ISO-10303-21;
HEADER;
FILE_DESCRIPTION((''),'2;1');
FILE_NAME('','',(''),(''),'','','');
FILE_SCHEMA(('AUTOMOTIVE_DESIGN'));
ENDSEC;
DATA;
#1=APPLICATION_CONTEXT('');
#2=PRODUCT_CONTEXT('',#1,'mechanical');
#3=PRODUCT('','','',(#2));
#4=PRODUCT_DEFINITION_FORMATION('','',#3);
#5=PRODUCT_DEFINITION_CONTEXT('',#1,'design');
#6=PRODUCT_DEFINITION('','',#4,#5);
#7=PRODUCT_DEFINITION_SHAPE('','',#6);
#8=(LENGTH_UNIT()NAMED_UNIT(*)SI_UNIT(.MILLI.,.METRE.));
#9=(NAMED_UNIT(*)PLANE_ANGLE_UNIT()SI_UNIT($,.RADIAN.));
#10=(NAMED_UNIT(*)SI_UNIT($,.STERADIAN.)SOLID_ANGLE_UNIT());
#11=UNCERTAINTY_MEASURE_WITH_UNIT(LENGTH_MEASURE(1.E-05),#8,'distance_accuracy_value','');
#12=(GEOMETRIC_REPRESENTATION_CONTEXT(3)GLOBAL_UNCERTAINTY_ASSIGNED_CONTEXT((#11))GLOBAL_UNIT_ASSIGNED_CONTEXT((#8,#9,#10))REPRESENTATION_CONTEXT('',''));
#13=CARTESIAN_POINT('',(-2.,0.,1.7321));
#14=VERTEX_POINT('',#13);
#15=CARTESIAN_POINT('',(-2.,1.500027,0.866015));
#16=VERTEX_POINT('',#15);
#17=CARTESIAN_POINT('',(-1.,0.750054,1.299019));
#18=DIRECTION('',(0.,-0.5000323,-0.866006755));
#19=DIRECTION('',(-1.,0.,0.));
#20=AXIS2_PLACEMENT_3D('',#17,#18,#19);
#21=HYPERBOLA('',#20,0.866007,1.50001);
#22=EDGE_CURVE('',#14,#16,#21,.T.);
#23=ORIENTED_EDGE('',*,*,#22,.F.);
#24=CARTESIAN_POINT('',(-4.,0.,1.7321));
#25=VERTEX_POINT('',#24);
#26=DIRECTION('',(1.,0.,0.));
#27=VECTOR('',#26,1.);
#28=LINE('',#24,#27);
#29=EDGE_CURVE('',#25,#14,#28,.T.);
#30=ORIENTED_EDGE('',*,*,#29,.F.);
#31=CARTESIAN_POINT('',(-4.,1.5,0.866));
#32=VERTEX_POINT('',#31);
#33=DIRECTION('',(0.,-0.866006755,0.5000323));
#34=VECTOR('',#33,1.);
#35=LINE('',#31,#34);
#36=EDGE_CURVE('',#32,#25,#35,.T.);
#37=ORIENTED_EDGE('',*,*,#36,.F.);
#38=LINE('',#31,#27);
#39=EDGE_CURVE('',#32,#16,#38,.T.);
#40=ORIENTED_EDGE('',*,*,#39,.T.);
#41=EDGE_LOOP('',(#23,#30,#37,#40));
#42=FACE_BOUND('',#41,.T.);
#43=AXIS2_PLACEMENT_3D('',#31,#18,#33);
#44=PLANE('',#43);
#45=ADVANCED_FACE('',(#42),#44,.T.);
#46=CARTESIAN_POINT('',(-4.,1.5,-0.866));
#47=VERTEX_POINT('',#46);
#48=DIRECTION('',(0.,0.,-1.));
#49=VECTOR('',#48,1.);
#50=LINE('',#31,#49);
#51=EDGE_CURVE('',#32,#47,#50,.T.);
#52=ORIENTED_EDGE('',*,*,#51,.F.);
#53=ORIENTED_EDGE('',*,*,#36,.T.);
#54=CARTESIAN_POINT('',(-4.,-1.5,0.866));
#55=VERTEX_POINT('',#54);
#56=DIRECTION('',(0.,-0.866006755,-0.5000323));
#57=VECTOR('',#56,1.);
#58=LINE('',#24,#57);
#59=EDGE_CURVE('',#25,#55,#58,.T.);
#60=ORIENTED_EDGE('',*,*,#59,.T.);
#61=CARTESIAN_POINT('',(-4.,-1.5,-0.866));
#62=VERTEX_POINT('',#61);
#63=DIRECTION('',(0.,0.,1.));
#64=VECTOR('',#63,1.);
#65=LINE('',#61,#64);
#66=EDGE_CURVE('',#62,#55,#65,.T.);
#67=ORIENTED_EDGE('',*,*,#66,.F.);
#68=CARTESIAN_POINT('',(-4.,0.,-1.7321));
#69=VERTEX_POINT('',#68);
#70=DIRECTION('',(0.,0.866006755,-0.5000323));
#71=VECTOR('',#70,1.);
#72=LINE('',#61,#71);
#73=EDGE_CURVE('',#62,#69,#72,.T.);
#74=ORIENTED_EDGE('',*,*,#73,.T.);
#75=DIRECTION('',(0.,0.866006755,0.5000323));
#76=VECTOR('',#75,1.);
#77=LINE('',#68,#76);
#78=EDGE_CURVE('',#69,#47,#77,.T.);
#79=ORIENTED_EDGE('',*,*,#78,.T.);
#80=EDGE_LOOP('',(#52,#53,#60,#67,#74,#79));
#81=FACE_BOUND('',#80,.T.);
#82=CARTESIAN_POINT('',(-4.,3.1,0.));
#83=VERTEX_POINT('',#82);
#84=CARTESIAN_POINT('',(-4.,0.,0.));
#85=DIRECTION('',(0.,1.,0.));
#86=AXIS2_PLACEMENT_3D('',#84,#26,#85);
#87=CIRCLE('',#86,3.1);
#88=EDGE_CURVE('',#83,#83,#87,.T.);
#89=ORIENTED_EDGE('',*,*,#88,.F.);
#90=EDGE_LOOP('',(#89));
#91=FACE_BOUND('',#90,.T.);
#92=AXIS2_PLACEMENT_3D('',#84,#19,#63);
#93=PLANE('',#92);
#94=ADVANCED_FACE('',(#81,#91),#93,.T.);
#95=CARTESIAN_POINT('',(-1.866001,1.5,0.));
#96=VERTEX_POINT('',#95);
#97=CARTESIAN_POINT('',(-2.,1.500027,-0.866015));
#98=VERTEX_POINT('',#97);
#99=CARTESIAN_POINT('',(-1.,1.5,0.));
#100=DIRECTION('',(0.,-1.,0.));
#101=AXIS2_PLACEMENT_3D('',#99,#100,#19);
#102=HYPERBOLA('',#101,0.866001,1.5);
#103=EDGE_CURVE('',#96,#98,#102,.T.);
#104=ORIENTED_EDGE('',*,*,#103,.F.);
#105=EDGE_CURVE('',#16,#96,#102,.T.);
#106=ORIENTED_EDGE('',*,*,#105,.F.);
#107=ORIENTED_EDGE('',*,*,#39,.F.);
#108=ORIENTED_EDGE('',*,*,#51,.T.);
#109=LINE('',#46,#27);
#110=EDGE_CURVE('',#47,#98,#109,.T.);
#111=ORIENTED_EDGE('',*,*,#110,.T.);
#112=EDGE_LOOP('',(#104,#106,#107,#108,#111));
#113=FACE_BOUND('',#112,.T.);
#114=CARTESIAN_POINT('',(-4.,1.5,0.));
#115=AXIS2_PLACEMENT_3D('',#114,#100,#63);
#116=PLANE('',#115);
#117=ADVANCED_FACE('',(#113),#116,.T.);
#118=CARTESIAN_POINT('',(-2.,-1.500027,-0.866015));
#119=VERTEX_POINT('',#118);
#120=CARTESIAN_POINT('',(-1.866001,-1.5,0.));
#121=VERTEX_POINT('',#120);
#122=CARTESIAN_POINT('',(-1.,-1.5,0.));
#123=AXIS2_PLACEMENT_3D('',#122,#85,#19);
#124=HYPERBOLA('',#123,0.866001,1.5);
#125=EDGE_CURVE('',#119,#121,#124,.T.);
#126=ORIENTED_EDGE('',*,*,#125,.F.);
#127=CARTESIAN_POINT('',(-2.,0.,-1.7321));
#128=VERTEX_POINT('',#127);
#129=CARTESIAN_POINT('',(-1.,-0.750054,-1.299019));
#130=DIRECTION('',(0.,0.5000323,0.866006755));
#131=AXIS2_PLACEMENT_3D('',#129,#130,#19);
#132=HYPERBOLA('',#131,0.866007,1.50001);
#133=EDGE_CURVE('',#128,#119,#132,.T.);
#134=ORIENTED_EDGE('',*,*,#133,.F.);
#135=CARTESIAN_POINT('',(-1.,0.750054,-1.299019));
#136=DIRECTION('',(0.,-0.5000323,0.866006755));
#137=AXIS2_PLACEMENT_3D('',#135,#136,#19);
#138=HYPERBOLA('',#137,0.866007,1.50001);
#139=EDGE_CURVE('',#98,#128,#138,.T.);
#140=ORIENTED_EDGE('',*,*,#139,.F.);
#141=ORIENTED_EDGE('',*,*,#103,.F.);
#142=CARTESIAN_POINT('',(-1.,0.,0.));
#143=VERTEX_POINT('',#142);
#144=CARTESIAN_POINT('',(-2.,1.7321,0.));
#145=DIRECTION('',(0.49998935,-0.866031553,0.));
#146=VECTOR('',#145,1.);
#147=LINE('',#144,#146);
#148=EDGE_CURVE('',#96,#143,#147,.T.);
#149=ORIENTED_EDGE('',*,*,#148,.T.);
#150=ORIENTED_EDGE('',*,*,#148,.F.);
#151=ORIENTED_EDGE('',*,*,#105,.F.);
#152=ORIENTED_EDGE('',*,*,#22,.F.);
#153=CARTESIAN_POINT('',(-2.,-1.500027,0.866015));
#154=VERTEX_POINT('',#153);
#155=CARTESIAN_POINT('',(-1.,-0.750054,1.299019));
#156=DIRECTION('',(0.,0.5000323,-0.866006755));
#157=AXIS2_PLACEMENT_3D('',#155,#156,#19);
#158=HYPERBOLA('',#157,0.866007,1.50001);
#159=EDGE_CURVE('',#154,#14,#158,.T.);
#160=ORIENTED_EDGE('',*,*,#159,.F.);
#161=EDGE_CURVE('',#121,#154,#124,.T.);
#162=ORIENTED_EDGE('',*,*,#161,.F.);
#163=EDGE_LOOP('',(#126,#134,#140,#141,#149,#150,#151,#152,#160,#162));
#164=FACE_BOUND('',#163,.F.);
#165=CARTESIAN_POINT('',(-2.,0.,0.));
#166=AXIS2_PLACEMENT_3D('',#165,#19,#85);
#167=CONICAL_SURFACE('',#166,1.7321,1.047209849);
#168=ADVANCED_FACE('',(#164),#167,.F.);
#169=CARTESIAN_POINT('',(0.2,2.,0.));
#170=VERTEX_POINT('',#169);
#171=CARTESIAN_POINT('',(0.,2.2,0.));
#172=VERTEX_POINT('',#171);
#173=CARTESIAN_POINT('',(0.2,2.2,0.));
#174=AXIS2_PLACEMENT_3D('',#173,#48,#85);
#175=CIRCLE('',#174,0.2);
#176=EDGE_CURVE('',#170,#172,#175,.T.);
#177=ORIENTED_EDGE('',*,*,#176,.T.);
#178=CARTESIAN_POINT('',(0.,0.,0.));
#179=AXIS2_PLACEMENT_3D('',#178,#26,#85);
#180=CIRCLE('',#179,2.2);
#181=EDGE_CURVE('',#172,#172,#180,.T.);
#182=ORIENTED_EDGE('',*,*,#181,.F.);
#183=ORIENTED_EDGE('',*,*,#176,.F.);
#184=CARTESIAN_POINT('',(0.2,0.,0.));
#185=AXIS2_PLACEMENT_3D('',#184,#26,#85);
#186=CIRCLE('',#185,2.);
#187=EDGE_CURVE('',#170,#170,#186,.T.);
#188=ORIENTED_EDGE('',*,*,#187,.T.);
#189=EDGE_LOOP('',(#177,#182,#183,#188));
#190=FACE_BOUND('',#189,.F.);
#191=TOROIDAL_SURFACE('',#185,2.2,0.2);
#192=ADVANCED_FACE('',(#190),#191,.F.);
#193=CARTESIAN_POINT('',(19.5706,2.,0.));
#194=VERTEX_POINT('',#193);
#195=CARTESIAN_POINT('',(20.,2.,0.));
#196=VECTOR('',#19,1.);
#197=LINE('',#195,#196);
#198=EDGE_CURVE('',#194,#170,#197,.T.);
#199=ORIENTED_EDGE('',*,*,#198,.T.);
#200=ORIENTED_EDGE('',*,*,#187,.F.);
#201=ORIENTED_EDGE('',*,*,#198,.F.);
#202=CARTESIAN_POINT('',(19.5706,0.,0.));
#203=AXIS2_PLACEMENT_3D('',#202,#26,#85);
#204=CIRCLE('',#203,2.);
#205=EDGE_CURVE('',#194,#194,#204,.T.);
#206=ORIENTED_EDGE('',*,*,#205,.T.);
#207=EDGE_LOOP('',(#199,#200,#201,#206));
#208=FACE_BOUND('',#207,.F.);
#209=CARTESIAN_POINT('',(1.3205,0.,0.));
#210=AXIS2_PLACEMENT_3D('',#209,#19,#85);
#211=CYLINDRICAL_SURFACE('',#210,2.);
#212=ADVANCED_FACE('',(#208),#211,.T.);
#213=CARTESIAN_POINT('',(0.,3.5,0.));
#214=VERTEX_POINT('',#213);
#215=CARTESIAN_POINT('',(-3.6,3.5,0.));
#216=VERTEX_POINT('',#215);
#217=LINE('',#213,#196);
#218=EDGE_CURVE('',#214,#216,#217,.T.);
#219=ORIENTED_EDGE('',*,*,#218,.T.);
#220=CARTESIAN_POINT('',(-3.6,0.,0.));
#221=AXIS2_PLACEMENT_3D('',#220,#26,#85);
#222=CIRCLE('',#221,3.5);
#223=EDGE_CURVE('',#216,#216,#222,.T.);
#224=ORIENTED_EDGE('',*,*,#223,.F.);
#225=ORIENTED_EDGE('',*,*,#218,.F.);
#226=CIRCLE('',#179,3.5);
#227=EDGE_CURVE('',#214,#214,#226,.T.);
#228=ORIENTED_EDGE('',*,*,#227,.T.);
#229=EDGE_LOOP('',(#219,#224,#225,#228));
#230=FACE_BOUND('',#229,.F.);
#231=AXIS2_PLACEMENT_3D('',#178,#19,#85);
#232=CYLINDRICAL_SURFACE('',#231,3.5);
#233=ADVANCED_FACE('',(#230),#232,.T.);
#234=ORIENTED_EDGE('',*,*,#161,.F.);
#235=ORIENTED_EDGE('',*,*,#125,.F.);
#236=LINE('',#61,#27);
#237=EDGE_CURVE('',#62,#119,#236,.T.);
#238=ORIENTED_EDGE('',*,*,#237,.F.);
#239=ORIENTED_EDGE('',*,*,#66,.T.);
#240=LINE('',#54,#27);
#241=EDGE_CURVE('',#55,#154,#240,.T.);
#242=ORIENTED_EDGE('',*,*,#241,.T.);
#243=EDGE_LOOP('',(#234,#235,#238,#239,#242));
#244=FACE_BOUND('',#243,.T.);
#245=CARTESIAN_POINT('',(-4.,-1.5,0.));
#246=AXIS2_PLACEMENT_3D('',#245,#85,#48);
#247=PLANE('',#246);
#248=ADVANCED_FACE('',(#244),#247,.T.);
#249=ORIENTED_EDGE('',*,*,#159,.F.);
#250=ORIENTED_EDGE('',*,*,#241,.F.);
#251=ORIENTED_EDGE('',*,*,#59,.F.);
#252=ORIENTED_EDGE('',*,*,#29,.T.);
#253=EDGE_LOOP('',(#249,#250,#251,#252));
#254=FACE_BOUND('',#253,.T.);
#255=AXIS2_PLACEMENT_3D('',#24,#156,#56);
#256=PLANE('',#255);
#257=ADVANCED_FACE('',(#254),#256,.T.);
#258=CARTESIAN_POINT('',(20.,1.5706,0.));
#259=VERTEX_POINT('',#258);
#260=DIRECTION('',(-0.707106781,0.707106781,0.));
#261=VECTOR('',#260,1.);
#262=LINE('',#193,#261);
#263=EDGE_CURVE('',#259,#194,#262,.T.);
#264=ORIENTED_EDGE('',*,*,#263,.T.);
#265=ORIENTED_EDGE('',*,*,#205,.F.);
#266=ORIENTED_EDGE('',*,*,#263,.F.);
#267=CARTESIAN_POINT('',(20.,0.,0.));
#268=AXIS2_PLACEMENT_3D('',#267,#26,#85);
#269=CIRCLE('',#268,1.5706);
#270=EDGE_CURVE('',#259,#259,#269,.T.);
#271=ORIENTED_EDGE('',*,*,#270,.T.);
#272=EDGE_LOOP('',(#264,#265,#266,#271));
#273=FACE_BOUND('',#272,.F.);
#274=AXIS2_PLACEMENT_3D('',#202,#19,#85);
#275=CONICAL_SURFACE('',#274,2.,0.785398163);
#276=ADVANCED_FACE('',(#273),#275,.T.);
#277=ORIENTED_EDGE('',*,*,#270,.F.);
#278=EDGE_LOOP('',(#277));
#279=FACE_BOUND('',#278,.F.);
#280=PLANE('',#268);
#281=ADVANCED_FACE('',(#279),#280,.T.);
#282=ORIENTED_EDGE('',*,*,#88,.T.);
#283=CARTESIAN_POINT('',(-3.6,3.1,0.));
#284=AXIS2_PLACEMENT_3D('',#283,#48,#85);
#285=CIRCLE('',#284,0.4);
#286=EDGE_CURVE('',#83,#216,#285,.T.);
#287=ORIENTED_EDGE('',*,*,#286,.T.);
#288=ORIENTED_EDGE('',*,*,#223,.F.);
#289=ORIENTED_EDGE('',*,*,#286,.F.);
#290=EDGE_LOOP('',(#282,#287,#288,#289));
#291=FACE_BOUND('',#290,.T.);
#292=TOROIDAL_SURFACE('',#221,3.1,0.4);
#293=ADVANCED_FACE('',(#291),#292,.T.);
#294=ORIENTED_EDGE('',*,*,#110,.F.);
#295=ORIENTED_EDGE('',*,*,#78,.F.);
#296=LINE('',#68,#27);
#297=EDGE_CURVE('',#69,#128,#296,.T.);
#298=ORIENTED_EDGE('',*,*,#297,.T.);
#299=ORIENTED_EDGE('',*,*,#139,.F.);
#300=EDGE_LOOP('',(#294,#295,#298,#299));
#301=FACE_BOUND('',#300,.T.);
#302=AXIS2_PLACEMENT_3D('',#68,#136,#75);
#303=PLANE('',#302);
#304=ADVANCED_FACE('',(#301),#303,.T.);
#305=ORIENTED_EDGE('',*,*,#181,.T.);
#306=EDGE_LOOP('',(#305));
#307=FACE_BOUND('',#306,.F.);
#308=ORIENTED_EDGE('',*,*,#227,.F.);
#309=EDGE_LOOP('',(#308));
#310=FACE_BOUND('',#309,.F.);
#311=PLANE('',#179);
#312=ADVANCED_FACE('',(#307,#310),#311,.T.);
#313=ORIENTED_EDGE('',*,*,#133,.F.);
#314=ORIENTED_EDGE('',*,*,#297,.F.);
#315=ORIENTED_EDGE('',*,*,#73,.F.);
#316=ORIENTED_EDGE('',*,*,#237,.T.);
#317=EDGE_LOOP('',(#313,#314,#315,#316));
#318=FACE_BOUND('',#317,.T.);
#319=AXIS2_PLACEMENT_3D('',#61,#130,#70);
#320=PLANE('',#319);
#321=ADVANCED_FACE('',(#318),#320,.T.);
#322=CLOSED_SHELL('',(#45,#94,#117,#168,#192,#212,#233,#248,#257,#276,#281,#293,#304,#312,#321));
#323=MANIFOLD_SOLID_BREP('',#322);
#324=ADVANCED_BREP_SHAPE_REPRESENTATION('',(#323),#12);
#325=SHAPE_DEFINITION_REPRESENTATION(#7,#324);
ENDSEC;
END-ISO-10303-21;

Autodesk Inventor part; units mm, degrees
ref_plane "YZ Plane" through (0, 0, 0) normal (1, 0, 0) x (0, 1, 0)
ref_plane "XZ Plane" through (0, 0, 0) normal (0, 1, 0) x (-1, 0, 0)
sketch "Skizze1" plane through (0, 0, 0) normal (0, 0, 1) x (1, 0, 0)
  line L0 (-1, 0) -> (20, 0)
  line L1 (20, 0) -> (20, 2)
  line L2 (20, 2) -> (1.75, 2)
  line L3 (1.75, 2) -> (1.3205, 2)
  line L4 (1.3205, 2) -> (0, 2)
  line L5 (0, 2) -> (0, 3.5)
  line L6 (0, 3.5) -> (-4, 3.5)
  line L7 (-4, 3.5) -> (-4, 1.7321)
  line L8 (-4, 1.7321) -> (-2, 1.7321)
  line L9 (-2, 1.7321) -> (-1, 0)
  line L10 (-8.8, 0) -> (24.8, 0) projected
  line L11 (0, -0.7) -> (0, 4.2) projected
  line L12 (1.75, 2) -> (0, 2) construction
  dimension "d1" = 18.25
  dimension "d2" = 0.4295
  dimension "d3" = 4
  dimension "d4" = 2
  dimension "d5" = 60
  dimension "d6" = 4
  dimension "d7" = 4
  dimension "d8" = 3.4641
  dimension "d9" = 7
  dimension "d26" = 20
revolve "Körper" add sketch "Skizze1" angle 360 about axis through (-1, 0, 0) along (1, 0, 0)
sketch "Skizze2" plane through (-4, 0, 0) normal (-1, 0, 0) x (0, 0, 1)
  circle A0 centre (0, 0) radius 1.7321 projected
  line L0 (0, -4.9) -> (0, 4.9) projected
  line L1 (-4.9, 0) -> (4.9, 0) projected
  line L2 (1.7321, 0) -> (0.866, -1.5)
  line L3 (0.866, -1.5) -> (-0.866, -1.5)
  line L4 (-0.866, -1.5) -> (-1.7321, 0)
  line L5 (-1.7321, 0) -> (-0.866, 1.5)
  line L6 (-0.866, 1.5) -> (0.866, 1.5)
  line L7 (0.866, 1.5) -> (1.7321, 0)
extrude "Loch" add sketch "Skizze2" against normal up to next contours L7 A0 | A0 L2 | L6 L0 A0 | A0 L0 L3 | L0 L6 A0 | A0 L3 L0 | L4 A0 | A0 L5
fillet "Rundung1" radius 0.4 1 edges at (-4, -3.5, 0)
thread "Gewinde" size "M4x0.7" class "6g" standard "ISO Metric profile" length 18.25
chamfer "Fase1" distance 0.4294 distance2 0.4294 1 edges at (20, -2, 0) measured on face at (20, 0.0679, 1.2634)
ref_plane "Work Plane1" through (29, 0, 0) normal (0, -1, 0) x (1, 0, 0)
fillet "Fillet2" radius 0.2 1 edges at (0, -2, 0)
equation "\"d1\" = GEL"
equation "\"d3\" = KOH"
equation "\"d4\" = INTI"
equation "\"d6\" = GD"
equation "\"d7\" = BDM"
equation "\"d8\" = 1.1547 * SW"
equation "\"d9\" = KOD"
equation "\"d26\" = NLG"
equation "\"d30\" = R"
equation "\"d17\" = RR"
equation "\"d13\" = GEL"
equation "\"d15\" = -0.5 * SPD + 0.5 * GD"
equation "\"d16\" = GUL"
equation "\"GD\" = NND"
equation "\"NLG\" = 20"
equation "\"GEL\" = 18.25"
equation "\"KOD\" = 7"
equation "\"KOH\" = 4"
equation "\"INTI\" = 2"
equation "\"GAL\" = 0.61345 * PTC"
equation "\"GUL\" = 0.61345 * PTC"
equation "\"BDM\" = NND"
equation "\"SW\" = 3"
equation "\"RR\" = 0.4"
equation "\"SPD\" = NND - 1.2269 * PTC"
equation "\"R\" = 0.2"
equation "\"TOA\" = 30deg"
equation "\"GD1\" = THREADDIA - 1.2269 * PTC"
equation "\"THREADDIA\" = 4"
equation "\"FAWI\" = 45deg"
equation "\"ANG\" = 120deg"
equation "\"PTC\" = 0.7"
equation "\"NND\" = 4"
equation "\"E0\" = 1.155 * SW"
properties part number "DIN 912 - M4 x 20" material "Stahl, weich"
